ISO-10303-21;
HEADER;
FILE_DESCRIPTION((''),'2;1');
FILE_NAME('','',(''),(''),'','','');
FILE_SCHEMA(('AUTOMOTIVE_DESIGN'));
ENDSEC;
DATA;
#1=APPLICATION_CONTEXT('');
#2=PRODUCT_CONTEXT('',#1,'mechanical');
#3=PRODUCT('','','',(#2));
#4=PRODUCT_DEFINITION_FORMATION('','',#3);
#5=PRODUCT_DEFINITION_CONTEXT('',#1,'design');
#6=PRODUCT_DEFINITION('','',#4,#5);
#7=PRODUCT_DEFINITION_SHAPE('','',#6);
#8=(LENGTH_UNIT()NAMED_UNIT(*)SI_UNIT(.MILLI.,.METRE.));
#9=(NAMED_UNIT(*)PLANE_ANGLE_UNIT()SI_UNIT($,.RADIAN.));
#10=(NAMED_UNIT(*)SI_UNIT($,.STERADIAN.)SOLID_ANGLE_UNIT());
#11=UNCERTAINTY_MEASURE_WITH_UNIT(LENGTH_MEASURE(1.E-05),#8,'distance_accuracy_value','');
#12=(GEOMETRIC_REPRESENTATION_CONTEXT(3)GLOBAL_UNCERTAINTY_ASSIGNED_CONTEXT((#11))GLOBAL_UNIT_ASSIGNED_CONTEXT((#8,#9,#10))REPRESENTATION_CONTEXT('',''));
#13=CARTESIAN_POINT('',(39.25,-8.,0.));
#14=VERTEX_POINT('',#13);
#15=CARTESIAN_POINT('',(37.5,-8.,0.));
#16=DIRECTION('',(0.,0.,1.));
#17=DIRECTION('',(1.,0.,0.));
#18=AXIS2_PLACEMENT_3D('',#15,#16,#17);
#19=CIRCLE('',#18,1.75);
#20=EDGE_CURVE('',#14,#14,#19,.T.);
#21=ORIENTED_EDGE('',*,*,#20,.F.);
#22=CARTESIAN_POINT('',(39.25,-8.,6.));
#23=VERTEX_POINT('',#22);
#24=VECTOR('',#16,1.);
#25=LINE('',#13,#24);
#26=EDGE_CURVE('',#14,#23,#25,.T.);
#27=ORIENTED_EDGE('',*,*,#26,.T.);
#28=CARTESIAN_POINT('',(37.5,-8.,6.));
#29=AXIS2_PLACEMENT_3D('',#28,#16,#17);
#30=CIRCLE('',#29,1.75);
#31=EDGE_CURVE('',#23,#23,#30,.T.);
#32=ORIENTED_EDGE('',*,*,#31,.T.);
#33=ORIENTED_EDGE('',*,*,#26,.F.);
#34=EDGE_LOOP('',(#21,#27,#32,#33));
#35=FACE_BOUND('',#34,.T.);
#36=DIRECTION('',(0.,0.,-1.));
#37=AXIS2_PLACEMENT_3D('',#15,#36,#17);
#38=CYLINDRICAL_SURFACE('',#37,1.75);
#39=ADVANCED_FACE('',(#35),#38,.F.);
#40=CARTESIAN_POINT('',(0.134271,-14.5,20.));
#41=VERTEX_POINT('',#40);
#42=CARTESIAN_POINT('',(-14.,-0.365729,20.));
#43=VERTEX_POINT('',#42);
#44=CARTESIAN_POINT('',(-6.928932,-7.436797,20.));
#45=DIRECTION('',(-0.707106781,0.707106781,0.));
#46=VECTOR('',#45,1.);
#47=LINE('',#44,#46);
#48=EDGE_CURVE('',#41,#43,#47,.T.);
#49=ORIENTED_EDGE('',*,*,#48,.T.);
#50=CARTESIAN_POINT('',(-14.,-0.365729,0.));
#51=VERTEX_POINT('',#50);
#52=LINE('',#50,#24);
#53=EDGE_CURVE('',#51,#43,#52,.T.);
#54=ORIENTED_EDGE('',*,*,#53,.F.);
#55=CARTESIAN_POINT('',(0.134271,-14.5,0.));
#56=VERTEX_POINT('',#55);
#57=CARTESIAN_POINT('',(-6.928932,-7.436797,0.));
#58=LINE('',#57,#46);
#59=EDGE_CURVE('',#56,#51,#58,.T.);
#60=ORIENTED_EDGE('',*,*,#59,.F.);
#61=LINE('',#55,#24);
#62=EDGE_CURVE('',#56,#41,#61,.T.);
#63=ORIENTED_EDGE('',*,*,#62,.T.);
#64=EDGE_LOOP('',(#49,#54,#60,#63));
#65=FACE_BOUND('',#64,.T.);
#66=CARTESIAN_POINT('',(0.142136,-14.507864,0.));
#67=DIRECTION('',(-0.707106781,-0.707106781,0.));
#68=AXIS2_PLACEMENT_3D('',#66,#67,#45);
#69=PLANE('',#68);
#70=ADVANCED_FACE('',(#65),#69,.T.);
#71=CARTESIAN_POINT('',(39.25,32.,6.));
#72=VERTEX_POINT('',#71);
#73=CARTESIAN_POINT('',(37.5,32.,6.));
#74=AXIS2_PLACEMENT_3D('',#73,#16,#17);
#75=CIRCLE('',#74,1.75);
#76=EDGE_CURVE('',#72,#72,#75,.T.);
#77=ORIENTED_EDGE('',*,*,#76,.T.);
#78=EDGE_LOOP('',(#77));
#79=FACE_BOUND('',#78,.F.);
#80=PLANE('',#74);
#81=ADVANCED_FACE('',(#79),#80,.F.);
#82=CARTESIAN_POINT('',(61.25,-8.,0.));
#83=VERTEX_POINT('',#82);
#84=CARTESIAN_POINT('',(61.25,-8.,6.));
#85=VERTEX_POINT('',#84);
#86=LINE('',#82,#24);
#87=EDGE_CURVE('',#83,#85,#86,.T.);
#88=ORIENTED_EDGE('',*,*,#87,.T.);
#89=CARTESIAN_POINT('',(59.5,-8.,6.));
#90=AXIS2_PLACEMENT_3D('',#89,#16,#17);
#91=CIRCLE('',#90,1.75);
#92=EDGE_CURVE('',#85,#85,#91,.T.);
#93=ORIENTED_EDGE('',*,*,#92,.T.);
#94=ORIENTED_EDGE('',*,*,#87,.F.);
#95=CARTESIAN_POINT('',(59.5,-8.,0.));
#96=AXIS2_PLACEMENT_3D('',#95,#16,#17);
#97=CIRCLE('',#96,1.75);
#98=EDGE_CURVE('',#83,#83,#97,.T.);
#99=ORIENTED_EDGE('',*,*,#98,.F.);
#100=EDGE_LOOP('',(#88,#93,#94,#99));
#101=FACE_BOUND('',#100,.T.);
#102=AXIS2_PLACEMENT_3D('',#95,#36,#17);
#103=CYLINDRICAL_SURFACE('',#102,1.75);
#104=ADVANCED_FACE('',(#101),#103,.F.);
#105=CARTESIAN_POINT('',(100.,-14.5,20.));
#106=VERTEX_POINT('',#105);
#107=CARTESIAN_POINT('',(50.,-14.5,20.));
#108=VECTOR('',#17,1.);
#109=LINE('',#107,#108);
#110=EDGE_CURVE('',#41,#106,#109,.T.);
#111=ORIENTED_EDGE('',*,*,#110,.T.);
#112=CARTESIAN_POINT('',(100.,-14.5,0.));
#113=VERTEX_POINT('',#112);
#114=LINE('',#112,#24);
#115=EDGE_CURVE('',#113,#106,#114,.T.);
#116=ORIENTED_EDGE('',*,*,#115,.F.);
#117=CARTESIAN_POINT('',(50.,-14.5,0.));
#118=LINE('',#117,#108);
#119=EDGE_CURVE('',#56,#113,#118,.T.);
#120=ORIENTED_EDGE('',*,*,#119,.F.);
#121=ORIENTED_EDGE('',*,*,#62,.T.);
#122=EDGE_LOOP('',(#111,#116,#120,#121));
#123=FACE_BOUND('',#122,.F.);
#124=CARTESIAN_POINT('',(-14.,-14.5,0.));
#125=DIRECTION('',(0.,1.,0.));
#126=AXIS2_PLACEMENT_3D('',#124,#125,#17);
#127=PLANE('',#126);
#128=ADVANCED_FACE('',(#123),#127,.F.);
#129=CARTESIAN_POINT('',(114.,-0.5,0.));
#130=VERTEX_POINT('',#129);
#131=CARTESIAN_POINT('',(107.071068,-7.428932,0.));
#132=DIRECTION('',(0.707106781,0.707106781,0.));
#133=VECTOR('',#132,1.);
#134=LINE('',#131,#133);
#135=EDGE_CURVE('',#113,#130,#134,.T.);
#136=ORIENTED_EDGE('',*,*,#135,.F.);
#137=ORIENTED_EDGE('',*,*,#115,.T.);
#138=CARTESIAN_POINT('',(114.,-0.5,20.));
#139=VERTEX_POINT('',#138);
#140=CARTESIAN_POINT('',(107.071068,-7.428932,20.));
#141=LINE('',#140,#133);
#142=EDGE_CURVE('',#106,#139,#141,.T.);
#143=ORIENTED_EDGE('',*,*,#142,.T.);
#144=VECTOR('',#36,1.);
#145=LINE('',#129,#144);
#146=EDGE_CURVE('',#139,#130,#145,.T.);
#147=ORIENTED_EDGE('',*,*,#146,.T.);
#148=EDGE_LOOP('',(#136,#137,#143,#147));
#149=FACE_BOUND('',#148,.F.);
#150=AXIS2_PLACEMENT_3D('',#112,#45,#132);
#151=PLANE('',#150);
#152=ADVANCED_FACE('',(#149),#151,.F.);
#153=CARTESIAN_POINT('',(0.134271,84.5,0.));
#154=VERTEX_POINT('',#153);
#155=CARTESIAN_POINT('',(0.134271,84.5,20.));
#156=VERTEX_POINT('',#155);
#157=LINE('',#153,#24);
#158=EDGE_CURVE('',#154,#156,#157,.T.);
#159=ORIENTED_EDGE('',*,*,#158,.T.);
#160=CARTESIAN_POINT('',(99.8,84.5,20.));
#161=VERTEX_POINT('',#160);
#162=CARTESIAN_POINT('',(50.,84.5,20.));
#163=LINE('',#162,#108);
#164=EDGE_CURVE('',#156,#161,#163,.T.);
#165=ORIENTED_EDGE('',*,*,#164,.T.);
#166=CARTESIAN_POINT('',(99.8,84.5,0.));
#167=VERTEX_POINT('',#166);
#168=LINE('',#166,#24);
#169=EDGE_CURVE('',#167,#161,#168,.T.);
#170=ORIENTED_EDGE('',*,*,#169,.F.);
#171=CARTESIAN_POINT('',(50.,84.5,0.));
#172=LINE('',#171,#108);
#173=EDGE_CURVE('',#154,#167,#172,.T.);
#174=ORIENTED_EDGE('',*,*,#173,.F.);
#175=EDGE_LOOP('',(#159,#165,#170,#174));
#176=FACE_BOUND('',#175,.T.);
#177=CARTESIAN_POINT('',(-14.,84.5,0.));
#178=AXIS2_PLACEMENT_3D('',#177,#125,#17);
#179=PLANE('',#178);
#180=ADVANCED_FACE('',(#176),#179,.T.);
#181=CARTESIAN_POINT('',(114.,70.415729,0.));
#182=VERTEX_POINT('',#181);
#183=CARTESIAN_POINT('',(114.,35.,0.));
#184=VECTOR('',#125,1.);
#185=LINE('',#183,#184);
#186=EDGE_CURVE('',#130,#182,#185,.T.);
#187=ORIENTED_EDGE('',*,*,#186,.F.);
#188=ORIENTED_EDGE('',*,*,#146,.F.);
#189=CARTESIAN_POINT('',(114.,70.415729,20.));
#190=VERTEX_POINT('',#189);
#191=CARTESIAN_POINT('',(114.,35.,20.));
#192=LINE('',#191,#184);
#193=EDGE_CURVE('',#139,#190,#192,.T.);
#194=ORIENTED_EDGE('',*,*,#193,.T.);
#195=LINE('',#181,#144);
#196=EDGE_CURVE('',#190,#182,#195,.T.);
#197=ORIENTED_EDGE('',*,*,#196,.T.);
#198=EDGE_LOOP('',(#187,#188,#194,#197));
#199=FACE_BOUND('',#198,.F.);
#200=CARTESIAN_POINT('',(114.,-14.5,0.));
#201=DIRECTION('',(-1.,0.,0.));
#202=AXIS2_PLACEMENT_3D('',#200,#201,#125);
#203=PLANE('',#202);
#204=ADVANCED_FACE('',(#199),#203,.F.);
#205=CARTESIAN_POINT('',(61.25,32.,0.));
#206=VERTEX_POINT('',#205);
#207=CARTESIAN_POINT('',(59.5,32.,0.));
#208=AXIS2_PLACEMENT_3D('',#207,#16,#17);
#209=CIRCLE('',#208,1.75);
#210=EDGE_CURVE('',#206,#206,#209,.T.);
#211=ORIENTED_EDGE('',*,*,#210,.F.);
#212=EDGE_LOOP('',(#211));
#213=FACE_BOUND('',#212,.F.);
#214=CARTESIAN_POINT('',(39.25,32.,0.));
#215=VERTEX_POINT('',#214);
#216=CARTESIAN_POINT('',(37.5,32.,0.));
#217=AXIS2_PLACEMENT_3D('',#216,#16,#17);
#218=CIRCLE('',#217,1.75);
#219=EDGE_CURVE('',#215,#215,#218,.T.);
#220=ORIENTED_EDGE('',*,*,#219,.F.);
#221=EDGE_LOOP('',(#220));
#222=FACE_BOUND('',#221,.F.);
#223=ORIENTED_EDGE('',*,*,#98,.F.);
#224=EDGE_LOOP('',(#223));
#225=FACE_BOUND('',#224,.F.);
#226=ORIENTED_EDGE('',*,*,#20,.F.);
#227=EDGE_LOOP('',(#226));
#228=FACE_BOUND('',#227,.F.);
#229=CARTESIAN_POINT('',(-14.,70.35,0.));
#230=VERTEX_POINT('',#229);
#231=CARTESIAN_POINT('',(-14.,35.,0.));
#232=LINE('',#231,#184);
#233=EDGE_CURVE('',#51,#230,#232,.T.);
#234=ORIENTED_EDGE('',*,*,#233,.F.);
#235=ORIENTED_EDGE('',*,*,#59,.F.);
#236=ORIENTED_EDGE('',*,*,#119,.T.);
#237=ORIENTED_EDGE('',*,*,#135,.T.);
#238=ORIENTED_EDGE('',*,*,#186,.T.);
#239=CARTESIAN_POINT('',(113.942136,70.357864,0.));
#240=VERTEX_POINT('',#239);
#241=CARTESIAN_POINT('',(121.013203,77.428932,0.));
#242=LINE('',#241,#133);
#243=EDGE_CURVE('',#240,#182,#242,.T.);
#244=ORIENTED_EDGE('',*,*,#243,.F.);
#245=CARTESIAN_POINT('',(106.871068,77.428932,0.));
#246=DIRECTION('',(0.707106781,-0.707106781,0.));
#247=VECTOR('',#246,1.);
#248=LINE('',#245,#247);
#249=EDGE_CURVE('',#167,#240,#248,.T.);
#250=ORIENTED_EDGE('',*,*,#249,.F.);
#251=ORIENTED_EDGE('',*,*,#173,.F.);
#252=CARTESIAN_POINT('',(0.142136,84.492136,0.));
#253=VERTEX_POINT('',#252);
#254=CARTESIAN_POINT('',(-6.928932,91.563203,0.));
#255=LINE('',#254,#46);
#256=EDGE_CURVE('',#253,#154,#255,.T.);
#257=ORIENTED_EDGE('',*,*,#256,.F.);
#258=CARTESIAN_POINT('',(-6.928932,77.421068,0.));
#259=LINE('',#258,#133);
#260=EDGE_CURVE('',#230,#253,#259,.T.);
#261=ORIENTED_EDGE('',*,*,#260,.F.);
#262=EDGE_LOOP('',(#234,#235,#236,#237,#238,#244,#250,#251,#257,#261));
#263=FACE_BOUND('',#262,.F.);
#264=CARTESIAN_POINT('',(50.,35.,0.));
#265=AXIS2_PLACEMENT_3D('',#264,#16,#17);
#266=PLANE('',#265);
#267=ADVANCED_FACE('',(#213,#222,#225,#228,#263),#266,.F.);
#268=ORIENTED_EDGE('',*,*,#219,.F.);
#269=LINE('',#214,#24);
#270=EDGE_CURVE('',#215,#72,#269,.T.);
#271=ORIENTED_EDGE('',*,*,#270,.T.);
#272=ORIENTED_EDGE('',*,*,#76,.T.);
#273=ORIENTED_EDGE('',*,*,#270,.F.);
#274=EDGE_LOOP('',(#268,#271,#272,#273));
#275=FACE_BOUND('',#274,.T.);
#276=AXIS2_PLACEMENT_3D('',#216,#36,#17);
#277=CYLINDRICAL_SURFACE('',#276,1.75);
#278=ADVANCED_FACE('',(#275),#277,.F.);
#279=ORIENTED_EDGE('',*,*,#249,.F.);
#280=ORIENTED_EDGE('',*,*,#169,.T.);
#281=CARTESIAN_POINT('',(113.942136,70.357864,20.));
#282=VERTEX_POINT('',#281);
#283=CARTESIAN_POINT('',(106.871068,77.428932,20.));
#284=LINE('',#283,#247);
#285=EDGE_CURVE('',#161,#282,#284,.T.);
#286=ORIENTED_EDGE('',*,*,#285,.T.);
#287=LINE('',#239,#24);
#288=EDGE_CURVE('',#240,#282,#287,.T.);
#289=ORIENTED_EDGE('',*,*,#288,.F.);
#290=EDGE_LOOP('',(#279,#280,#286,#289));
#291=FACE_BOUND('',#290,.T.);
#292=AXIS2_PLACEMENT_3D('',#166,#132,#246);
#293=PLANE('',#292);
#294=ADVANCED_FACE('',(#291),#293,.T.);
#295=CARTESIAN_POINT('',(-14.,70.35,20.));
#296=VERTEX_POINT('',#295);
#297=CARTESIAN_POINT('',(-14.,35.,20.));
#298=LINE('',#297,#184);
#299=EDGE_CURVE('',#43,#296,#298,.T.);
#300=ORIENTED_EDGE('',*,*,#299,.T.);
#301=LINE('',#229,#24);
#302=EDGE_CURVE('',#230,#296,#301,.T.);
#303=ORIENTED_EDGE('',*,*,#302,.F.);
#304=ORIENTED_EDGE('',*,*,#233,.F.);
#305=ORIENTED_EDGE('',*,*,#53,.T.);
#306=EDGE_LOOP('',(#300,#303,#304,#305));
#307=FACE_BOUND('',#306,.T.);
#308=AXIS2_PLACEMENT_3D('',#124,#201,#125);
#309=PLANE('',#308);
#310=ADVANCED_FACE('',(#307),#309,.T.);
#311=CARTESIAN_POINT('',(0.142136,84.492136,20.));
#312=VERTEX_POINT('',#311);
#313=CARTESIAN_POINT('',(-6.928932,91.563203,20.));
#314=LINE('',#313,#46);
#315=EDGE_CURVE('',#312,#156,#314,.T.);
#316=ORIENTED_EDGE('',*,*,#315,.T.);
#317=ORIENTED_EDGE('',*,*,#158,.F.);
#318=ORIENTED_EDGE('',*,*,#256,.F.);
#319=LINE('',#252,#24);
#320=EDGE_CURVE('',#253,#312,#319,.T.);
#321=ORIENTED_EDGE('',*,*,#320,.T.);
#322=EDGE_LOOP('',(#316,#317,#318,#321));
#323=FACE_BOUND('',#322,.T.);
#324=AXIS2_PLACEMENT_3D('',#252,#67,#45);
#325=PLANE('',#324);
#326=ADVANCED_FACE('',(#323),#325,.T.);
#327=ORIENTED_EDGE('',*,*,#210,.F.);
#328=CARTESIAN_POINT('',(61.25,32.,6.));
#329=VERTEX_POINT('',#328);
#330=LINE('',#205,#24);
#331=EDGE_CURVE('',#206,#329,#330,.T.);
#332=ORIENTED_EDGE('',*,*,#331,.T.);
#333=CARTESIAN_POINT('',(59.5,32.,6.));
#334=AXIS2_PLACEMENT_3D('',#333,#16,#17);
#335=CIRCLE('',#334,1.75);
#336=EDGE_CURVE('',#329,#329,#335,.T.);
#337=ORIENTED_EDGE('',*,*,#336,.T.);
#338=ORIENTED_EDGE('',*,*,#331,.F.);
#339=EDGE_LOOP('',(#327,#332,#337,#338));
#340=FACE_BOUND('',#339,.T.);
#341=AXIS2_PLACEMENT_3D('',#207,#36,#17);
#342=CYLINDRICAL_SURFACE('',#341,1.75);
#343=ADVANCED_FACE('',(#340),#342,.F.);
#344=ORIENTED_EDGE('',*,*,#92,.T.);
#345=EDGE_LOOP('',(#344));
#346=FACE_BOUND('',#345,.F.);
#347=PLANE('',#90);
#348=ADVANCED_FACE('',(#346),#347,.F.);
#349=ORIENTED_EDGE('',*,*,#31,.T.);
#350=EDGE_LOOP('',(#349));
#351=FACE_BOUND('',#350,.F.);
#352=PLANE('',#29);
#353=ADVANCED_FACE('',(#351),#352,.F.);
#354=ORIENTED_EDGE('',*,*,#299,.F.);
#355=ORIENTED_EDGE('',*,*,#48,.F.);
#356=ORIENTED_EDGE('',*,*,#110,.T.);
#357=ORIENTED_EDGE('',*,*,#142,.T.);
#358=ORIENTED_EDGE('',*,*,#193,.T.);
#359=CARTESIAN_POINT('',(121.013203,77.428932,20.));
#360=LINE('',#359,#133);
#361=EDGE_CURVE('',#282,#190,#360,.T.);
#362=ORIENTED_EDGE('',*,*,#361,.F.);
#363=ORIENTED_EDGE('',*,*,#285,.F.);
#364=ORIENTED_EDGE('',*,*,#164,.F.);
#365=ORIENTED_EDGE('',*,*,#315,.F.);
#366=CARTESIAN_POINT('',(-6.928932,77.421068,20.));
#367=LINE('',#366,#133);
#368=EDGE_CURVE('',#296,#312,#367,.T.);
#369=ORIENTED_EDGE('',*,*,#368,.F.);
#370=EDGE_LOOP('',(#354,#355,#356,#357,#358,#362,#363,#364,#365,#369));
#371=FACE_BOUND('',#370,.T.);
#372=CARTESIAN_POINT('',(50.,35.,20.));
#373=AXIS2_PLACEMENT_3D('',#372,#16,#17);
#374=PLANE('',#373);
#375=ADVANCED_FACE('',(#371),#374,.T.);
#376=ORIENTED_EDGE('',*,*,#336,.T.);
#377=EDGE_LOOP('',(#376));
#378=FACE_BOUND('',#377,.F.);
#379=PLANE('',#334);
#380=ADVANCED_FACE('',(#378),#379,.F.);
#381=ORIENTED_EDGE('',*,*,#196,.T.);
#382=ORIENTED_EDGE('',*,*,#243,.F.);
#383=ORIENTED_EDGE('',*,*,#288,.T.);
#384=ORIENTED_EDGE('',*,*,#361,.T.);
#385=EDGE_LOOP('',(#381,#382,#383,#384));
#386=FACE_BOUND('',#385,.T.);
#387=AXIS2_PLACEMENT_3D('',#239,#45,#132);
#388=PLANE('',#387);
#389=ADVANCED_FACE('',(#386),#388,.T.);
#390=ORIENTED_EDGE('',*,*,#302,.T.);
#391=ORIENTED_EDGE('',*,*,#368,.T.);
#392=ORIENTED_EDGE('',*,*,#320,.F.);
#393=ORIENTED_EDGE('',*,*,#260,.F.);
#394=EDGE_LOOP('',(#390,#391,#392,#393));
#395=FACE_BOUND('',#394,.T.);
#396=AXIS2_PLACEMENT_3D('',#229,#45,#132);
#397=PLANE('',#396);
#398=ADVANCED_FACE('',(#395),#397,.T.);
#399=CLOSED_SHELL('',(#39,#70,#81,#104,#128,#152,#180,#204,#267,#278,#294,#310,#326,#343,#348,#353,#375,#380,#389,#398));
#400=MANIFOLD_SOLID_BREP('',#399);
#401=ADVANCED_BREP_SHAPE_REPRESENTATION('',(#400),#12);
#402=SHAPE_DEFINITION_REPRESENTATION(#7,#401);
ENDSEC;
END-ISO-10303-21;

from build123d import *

# Parameters (mm, degrees)
CYLINDER_R             = 1.75
CYLINDER_DEPTH         = 6
ARRAY_X_COUNT          = 2
ARRAY_X_PITCH          = 22
ARRAY_Y_COUNT          = 2
ARRAY_Y_PITCH          = 40
BOX003_W               = 20
BOX003_H               = 20
BOX003_DEPTH           = 20
BOX003_PLACEMENT_ANGLE = 45
BOX004_W               = 20
BOX004_H               = 20
BOX004_DEPTH           = 20
BOX004_PLACEMENT_ANGLE = 45
BOX002_W               = 20
BOX002_H               = 20
BOX002_DEPTH           = 20
BOX002_PLACEMENT_ANGLE = -45
BOX_W                  = 20
BOX_H                  = 20
BOX_DEPTH              = 20
BOX_PLACEMENT_ANGLE    = -45
BOX001_W               = 128
BOX001_H               = 99
BOX001_DEPTH           = 20


with BuildPart() as array:
    # Cylinder → Cylinder (new body)
    with BuildSketch(Plane.XY):
        Circle(CYLINDER_R)
    extrude(amount=CYLINDER_DEPTH)

    # Array X: Array ×2


with BuildPart() as array_1:
    add(array.part)
    with Locations(*[(i * ARRAY_X_PITCH, 0, 0) for i in range(1, ARRAY_X_COUNT)]):
        add(array.part)

    # Array Y: Array ×2


with BuildPart() as array_2:
    add(array_1.part)
    with Locations(*[(0, i * ARRAY_Y_PITCH, 0) for i in range(1, ARRAY_Y_COUNT)]):
        add(array_1.part)


with BuildPart() as array_3:
    # Array placement: moved
    add(array_2.part.moved(Location((37.5, -8, 0))))


with BuildPart() as cubo004:
    # Box003 → Box003 (new body)
    with BuildSketch(Plane.XY):
        with Locations((10, 10)):
            Rectangle(BOX003_W, BOX003_H)
    extrude(amount=BOX003_DEPTH)


with BuildPart() as cubo004_1:
    # Box003 placement: moved
    add(cubo004.part.moved(Location((-14, -28.65, 0))).rotate(Axis((-14, -28.65, 0), (0, 0, 1)), BOX003_PLACEMENT_ANGLE))


with BuildPart() as cubo005:
    # Box004 → Box004 (new body)
    with BuildSketch(Plane.XY):
        with Locations((10, 10)):
            Rectangle(BOX004_W, BOX004_H)
    extrude(amount=BOX004_DEPTH)


with BuildPart() as cubo005_1:
    # Box004 placement: moved
    add(cubo005.part.moved(Location((-14, 70.35, 0))).rotate(Axis((-14, 70.35, 0), (0, 0, 1)), BOX004_PLACEMENT_ANGLE))


with BuildPart() as cubo002:
    # Box002 → Box002 (new body)
    with BuildSketch(Plane.XY):
        with Locations((10, 10)):
            Rectangle(BOX002_W, BOX002_H)
    extrude(amount=BOX002_DEPTH)


with BuildPart() as cubo002_1:
    # Box002 placement: moved
    add(cubo002.part.moved(Location((100, -14.5, 0))).rotate(Axis((100, -14.5, 0), (0, 0, 1)), BOX002_PLACEMENT_ANGLE))


with BuildPart() as fusion:
    # Box → Box (new body)
    with BuildSketch(Plane.XY):
        with Locations((10, 10)):
            Rectangle(BOX_W, BOX_H)
    extrude(amount=BOX_DEPTH)


with BuildPart() as fusion_1:
    # Box placement: moved
    add(fusion.part.moved(Location((99.8, 84.5, 0))).rotate(Axis((99.8, 84.5, 0), (0, 0, 1)), BOX_PLACEMENT_ANGLE))

    # Fusion: union Cubo004, Cubo005, Cubo002
    add(cubo004_1.part)
    add(cubo005_1.part)
    add(cubo002_1.part)


with BuildPart() as cut001:
    # Box001 → Box001 (new body)
    with BuildSketch(Plane(origin=(-14, -14.5, 0), x_dir=(1, 0, 0), z_dir=(0, 0, 1))):
        with Locations((64, 49.5)):
            Rectangle(BOX001_W, BOX001_H)
    extrude(amount=BOX001_DEPTH)

    # Cut: cut Fusion
    add(fusion_1.part, mode=Mode.SUBTRACT)

    # Cut001: cut Array
    add(array_3.part, mode=Mode.SUBTRACT)


solid = cut001.part
